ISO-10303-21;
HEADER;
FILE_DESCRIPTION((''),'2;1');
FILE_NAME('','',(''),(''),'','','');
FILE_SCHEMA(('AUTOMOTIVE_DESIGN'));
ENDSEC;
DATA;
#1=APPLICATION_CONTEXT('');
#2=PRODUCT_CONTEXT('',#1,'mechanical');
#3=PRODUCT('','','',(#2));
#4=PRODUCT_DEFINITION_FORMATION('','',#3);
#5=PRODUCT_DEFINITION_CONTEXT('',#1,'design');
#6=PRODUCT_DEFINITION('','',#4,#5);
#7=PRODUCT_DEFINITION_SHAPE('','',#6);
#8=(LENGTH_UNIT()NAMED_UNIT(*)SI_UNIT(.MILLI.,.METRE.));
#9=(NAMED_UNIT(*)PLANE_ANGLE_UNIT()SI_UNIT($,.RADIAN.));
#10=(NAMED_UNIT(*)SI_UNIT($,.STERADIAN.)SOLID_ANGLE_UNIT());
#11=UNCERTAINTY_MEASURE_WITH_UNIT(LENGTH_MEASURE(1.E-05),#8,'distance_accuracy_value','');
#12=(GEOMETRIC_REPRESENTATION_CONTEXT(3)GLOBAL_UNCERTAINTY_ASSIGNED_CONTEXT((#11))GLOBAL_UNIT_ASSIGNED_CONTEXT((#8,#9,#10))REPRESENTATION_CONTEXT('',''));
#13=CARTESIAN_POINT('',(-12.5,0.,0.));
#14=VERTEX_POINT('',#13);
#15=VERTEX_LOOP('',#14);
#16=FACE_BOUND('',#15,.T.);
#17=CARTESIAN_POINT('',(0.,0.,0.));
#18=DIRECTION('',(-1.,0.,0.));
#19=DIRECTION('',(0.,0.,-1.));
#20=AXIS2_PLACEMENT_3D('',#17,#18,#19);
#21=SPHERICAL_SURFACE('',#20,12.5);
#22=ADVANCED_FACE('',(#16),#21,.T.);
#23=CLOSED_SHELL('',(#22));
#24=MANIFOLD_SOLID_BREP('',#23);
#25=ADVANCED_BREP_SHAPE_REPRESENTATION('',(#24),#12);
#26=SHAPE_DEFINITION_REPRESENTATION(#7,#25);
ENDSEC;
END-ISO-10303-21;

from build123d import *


with BuildPart() as part:
    # Sketch1 → Revolve1 (revolve)
    with BuildSketch(Plane(origin=(0, 0, 0), x_dir=(1, 0, 0), z_dir=(0, 1, 0))):
        with BuildLine():
            Line((-12.5, 0), (12.5, 0))
            ThreePointArc((12.5, 0), (0, -12.5), (-12.5, 0))
        make_face()
    revolve(axis=Axis((-12.5, 0, 0), (1, 0, 0)))


solid = part.part
